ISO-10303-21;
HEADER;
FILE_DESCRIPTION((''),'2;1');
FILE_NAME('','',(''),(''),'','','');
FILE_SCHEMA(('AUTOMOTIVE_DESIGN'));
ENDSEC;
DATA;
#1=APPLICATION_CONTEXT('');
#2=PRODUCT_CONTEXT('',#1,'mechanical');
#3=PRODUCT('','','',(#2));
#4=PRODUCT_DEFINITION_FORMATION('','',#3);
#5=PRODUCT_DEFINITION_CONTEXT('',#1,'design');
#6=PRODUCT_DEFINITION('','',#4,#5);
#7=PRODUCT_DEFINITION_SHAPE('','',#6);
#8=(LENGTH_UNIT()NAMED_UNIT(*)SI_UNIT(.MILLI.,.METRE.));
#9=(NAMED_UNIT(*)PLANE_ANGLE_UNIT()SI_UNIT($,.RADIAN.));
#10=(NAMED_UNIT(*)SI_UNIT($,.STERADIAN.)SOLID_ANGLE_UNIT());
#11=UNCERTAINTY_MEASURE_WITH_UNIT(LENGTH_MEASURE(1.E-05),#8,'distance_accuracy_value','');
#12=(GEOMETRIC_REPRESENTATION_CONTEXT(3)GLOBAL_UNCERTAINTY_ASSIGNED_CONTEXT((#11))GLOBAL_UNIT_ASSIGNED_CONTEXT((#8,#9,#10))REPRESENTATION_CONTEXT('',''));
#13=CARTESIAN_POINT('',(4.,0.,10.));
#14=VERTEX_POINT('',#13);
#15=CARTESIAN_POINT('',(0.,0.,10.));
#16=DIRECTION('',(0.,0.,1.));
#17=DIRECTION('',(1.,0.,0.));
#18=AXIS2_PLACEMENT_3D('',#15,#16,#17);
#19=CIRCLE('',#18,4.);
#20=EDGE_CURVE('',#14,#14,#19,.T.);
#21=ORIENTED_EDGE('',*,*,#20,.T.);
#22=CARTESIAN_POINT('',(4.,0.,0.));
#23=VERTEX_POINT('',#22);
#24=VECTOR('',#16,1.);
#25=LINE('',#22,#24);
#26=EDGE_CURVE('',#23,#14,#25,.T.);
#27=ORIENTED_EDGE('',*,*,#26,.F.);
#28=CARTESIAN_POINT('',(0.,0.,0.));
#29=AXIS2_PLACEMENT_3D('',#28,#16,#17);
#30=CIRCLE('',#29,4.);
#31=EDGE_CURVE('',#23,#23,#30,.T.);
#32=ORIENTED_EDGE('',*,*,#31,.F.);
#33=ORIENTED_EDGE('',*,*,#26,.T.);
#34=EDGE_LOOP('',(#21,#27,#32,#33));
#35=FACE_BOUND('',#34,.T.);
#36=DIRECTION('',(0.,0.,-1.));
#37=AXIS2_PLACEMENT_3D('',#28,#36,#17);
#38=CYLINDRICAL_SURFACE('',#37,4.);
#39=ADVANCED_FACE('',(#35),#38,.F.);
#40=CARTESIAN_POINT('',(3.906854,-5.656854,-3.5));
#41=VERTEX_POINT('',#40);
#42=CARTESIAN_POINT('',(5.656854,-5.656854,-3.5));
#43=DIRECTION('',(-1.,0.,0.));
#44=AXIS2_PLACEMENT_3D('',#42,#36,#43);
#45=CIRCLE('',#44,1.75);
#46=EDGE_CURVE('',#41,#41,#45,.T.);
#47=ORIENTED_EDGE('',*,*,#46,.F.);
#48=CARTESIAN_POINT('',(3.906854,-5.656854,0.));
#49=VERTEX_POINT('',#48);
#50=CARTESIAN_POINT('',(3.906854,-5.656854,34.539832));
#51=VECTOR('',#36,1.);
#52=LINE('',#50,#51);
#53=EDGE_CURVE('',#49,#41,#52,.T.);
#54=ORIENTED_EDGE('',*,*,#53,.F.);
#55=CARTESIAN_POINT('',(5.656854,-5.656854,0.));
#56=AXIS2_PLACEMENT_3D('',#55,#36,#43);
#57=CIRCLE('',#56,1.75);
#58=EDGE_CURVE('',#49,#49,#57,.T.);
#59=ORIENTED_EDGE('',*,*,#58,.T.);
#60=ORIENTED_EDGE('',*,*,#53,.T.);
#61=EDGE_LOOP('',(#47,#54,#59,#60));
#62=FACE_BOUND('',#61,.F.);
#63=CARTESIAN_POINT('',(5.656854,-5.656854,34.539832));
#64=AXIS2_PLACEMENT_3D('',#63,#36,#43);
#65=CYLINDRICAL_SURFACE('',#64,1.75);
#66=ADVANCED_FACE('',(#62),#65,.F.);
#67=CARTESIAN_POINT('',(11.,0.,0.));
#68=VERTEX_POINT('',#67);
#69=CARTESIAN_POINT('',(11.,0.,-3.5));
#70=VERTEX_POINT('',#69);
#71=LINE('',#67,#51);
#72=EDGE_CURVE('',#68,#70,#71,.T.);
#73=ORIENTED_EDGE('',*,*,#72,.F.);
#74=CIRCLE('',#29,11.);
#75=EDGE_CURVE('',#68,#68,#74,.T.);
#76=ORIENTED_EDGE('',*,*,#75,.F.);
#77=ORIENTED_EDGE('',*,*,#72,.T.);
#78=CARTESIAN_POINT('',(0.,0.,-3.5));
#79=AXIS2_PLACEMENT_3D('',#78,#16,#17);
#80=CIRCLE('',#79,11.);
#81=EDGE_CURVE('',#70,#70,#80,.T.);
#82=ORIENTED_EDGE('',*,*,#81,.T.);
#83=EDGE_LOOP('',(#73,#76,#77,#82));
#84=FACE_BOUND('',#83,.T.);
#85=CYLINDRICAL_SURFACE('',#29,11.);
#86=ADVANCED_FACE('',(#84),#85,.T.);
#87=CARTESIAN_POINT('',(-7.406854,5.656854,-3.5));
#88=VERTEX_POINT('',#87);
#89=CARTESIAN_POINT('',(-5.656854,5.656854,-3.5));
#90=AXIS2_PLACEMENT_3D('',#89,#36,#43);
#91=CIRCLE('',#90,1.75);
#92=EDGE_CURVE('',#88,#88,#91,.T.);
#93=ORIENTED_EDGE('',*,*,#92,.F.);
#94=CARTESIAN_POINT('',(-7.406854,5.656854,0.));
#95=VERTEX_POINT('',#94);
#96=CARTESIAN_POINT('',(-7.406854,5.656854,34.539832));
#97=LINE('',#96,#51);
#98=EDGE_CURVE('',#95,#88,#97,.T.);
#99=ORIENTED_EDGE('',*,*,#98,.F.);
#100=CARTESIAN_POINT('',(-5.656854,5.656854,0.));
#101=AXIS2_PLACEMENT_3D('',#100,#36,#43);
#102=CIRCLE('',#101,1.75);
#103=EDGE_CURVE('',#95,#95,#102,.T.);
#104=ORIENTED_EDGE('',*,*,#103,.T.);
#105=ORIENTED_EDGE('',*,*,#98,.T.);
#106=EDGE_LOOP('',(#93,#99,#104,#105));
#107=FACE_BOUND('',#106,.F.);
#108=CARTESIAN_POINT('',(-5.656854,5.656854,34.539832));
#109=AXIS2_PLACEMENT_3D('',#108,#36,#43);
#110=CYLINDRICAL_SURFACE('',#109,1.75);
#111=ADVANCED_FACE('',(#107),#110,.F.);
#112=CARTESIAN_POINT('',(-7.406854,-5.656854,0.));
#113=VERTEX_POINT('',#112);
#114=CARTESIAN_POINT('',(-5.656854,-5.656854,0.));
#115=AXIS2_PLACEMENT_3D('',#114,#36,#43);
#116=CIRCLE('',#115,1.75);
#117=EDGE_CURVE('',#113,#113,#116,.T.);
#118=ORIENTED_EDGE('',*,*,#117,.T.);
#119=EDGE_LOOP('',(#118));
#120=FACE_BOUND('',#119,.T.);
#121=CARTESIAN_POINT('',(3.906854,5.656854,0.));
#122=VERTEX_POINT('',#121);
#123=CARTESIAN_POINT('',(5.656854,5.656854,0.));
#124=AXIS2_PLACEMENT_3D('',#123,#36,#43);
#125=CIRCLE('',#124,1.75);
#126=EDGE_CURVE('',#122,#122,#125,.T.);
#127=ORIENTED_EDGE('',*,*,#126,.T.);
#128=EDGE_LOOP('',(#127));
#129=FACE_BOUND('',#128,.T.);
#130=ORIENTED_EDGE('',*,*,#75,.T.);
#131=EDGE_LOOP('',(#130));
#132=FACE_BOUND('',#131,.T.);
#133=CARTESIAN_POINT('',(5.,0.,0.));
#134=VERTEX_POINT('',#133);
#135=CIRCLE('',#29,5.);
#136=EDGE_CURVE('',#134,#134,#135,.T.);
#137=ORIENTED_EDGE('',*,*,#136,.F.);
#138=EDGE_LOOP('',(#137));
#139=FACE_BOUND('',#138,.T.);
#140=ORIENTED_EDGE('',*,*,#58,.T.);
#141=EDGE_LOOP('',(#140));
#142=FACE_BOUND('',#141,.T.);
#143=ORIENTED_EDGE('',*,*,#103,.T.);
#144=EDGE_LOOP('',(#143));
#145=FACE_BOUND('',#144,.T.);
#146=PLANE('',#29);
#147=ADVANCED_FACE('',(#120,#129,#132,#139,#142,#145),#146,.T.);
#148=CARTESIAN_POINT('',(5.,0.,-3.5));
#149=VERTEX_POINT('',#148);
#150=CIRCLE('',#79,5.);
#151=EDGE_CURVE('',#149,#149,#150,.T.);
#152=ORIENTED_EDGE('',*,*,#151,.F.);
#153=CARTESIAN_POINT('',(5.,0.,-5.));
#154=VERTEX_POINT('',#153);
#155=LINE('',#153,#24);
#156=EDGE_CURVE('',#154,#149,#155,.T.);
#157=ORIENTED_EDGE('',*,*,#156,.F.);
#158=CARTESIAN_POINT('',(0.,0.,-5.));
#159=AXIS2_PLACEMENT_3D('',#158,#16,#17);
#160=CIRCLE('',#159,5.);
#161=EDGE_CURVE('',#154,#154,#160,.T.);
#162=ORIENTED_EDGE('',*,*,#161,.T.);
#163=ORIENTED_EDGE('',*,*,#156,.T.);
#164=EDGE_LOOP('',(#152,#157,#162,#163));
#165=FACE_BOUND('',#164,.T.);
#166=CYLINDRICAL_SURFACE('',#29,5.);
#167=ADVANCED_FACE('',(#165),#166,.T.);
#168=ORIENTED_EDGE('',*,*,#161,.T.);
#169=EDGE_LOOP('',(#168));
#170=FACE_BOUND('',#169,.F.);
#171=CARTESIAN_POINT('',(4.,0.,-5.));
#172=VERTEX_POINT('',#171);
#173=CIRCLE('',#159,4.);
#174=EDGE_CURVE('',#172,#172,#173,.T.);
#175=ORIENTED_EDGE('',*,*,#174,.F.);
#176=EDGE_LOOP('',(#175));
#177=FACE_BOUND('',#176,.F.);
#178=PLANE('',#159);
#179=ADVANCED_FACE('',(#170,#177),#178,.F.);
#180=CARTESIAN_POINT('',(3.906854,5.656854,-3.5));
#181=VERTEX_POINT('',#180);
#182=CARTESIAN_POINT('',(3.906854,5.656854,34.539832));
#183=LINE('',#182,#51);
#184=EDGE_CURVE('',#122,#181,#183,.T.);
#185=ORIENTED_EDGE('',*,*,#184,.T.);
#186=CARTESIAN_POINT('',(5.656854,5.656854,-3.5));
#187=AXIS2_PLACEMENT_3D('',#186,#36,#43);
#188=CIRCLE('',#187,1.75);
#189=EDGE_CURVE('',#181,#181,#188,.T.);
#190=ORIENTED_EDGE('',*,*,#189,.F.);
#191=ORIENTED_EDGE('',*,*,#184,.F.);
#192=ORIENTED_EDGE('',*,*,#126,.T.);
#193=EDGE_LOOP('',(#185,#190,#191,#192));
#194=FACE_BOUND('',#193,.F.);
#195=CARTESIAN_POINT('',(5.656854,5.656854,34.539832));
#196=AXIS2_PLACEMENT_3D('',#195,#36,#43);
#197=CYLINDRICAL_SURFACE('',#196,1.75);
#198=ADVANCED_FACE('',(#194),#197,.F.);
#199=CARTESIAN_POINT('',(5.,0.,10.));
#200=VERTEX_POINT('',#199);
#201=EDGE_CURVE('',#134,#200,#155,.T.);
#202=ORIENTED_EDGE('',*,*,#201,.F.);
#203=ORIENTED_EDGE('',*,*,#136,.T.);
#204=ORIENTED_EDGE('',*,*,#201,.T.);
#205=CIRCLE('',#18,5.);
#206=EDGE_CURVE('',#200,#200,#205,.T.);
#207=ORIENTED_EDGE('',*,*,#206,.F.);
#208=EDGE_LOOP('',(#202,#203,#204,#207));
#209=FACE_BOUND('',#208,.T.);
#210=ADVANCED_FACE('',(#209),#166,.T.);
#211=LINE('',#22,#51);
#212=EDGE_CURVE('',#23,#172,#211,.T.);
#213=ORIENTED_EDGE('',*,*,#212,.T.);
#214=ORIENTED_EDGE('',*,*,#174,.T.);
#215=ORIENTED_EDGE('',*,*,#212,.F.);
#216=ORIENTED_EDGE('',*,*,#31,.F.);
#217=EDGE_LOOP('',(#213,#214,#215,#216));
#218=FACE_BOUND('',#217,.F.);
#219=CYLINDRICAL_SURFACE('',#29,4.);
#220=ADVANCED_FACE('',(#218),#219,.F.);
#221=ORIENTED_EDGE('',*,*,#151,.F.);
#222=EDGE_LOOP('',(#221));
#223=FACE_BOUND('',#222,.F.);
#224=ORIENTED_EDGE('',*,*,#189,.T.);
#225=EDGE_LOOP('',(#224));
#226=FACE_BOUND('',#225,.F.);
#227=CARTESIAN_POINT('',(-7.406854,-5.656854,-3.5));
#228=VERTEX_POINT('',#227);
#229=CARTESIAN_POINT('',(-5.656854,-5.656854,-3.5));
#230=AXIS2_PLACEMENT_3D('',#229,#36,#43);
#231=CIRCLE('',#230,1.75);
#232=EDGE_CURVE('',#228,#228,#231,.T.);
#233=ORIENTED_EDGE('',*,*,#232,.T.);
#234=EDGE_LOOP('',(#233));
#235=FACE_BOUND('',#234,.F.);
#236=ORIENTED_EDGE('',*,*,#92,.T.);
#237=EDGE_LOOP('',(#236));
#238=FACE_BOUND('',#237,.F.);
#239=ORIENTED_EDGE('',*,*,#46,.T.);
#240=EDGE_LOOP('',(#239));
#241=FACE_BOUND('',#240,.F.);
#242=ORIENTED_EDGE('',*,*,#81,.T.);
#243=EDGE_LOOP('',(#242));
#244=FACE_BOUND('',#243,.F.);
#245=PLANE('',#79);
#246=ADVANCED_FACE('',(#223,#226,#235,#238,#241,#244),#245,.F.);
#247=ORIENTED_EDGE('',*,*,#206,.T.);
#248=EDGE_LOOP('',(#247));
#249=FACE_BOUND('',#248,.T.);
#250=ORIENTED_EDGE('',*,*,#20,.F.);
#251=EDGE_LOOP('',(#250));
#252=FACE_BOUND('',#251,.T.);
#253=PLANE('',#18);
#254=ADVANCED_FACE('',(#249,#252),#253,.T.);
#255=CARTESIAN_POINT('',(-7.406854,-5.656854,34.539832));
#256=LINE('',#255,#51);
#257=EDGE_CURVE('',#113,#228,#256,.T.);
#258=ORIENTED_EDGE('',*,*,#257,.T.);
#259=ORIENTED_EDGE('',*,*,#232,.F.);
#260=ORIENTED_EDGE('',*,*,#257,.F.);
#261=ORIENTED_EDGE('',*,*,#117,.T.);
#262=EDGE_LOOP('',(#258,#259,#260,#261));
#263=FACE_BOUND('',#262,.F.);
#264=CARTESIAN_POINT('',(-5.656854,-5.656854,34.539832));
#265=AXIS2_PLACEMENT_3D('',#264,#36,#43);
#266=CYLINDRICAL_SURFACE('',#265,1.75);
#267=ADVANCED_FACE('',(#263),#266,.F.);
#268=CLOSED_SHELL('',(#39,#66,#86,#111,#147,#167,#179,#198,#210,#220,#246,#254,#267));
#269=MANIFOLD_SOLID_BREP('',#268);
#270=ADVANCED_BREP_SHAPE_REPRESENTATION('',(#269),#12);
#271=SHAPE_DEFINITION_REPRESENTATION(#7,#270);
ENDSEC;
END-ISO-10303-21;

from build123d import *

# Parameters (mm, degrees)
F0_R     = 5
F0_R_2   = 4
F1_DEPTH = 10
F2_DEPTH = 5
F0_R_3   = 11
F3_DEPTH = 3.5
F4_D     = 3.5


with BuildPart() as f1:
    # F0 (on Top) → F1 (new body)
    with BuildSketch(Plane.XY):
        Circle(F0_R)
        Circle(F0_R_2, mode=Mode.SUBTRACT)
    extrude(amount=F1_DEPTH)

    # F0 (on Top) → F2 (join)
    with BuildSketch(Plane.XY):
        Circle(F0_R)
        Circle(F0_R_2, mode=Mode.SUBTRACT)
    extrude(amount=-F2_DEPTH)

    # F0 (on Top) → F3 (join)
    with BuildSketch(Plane.XY):
        Circle(F0_R_3)
        Circle(F0_R, mode=Mode.SUBTRACT)
    extrude(amount=-F3_DEPTH)

    # F4 (through all)
    with Locations(Plane.XY):
        with Locations((-5.656854, 5.656854), (5.656854, 5.656854), (5.656854, -5.656854), (-5.656854, -5.656854)):
            Hole(F4_D / 2)


solid = f1.part
